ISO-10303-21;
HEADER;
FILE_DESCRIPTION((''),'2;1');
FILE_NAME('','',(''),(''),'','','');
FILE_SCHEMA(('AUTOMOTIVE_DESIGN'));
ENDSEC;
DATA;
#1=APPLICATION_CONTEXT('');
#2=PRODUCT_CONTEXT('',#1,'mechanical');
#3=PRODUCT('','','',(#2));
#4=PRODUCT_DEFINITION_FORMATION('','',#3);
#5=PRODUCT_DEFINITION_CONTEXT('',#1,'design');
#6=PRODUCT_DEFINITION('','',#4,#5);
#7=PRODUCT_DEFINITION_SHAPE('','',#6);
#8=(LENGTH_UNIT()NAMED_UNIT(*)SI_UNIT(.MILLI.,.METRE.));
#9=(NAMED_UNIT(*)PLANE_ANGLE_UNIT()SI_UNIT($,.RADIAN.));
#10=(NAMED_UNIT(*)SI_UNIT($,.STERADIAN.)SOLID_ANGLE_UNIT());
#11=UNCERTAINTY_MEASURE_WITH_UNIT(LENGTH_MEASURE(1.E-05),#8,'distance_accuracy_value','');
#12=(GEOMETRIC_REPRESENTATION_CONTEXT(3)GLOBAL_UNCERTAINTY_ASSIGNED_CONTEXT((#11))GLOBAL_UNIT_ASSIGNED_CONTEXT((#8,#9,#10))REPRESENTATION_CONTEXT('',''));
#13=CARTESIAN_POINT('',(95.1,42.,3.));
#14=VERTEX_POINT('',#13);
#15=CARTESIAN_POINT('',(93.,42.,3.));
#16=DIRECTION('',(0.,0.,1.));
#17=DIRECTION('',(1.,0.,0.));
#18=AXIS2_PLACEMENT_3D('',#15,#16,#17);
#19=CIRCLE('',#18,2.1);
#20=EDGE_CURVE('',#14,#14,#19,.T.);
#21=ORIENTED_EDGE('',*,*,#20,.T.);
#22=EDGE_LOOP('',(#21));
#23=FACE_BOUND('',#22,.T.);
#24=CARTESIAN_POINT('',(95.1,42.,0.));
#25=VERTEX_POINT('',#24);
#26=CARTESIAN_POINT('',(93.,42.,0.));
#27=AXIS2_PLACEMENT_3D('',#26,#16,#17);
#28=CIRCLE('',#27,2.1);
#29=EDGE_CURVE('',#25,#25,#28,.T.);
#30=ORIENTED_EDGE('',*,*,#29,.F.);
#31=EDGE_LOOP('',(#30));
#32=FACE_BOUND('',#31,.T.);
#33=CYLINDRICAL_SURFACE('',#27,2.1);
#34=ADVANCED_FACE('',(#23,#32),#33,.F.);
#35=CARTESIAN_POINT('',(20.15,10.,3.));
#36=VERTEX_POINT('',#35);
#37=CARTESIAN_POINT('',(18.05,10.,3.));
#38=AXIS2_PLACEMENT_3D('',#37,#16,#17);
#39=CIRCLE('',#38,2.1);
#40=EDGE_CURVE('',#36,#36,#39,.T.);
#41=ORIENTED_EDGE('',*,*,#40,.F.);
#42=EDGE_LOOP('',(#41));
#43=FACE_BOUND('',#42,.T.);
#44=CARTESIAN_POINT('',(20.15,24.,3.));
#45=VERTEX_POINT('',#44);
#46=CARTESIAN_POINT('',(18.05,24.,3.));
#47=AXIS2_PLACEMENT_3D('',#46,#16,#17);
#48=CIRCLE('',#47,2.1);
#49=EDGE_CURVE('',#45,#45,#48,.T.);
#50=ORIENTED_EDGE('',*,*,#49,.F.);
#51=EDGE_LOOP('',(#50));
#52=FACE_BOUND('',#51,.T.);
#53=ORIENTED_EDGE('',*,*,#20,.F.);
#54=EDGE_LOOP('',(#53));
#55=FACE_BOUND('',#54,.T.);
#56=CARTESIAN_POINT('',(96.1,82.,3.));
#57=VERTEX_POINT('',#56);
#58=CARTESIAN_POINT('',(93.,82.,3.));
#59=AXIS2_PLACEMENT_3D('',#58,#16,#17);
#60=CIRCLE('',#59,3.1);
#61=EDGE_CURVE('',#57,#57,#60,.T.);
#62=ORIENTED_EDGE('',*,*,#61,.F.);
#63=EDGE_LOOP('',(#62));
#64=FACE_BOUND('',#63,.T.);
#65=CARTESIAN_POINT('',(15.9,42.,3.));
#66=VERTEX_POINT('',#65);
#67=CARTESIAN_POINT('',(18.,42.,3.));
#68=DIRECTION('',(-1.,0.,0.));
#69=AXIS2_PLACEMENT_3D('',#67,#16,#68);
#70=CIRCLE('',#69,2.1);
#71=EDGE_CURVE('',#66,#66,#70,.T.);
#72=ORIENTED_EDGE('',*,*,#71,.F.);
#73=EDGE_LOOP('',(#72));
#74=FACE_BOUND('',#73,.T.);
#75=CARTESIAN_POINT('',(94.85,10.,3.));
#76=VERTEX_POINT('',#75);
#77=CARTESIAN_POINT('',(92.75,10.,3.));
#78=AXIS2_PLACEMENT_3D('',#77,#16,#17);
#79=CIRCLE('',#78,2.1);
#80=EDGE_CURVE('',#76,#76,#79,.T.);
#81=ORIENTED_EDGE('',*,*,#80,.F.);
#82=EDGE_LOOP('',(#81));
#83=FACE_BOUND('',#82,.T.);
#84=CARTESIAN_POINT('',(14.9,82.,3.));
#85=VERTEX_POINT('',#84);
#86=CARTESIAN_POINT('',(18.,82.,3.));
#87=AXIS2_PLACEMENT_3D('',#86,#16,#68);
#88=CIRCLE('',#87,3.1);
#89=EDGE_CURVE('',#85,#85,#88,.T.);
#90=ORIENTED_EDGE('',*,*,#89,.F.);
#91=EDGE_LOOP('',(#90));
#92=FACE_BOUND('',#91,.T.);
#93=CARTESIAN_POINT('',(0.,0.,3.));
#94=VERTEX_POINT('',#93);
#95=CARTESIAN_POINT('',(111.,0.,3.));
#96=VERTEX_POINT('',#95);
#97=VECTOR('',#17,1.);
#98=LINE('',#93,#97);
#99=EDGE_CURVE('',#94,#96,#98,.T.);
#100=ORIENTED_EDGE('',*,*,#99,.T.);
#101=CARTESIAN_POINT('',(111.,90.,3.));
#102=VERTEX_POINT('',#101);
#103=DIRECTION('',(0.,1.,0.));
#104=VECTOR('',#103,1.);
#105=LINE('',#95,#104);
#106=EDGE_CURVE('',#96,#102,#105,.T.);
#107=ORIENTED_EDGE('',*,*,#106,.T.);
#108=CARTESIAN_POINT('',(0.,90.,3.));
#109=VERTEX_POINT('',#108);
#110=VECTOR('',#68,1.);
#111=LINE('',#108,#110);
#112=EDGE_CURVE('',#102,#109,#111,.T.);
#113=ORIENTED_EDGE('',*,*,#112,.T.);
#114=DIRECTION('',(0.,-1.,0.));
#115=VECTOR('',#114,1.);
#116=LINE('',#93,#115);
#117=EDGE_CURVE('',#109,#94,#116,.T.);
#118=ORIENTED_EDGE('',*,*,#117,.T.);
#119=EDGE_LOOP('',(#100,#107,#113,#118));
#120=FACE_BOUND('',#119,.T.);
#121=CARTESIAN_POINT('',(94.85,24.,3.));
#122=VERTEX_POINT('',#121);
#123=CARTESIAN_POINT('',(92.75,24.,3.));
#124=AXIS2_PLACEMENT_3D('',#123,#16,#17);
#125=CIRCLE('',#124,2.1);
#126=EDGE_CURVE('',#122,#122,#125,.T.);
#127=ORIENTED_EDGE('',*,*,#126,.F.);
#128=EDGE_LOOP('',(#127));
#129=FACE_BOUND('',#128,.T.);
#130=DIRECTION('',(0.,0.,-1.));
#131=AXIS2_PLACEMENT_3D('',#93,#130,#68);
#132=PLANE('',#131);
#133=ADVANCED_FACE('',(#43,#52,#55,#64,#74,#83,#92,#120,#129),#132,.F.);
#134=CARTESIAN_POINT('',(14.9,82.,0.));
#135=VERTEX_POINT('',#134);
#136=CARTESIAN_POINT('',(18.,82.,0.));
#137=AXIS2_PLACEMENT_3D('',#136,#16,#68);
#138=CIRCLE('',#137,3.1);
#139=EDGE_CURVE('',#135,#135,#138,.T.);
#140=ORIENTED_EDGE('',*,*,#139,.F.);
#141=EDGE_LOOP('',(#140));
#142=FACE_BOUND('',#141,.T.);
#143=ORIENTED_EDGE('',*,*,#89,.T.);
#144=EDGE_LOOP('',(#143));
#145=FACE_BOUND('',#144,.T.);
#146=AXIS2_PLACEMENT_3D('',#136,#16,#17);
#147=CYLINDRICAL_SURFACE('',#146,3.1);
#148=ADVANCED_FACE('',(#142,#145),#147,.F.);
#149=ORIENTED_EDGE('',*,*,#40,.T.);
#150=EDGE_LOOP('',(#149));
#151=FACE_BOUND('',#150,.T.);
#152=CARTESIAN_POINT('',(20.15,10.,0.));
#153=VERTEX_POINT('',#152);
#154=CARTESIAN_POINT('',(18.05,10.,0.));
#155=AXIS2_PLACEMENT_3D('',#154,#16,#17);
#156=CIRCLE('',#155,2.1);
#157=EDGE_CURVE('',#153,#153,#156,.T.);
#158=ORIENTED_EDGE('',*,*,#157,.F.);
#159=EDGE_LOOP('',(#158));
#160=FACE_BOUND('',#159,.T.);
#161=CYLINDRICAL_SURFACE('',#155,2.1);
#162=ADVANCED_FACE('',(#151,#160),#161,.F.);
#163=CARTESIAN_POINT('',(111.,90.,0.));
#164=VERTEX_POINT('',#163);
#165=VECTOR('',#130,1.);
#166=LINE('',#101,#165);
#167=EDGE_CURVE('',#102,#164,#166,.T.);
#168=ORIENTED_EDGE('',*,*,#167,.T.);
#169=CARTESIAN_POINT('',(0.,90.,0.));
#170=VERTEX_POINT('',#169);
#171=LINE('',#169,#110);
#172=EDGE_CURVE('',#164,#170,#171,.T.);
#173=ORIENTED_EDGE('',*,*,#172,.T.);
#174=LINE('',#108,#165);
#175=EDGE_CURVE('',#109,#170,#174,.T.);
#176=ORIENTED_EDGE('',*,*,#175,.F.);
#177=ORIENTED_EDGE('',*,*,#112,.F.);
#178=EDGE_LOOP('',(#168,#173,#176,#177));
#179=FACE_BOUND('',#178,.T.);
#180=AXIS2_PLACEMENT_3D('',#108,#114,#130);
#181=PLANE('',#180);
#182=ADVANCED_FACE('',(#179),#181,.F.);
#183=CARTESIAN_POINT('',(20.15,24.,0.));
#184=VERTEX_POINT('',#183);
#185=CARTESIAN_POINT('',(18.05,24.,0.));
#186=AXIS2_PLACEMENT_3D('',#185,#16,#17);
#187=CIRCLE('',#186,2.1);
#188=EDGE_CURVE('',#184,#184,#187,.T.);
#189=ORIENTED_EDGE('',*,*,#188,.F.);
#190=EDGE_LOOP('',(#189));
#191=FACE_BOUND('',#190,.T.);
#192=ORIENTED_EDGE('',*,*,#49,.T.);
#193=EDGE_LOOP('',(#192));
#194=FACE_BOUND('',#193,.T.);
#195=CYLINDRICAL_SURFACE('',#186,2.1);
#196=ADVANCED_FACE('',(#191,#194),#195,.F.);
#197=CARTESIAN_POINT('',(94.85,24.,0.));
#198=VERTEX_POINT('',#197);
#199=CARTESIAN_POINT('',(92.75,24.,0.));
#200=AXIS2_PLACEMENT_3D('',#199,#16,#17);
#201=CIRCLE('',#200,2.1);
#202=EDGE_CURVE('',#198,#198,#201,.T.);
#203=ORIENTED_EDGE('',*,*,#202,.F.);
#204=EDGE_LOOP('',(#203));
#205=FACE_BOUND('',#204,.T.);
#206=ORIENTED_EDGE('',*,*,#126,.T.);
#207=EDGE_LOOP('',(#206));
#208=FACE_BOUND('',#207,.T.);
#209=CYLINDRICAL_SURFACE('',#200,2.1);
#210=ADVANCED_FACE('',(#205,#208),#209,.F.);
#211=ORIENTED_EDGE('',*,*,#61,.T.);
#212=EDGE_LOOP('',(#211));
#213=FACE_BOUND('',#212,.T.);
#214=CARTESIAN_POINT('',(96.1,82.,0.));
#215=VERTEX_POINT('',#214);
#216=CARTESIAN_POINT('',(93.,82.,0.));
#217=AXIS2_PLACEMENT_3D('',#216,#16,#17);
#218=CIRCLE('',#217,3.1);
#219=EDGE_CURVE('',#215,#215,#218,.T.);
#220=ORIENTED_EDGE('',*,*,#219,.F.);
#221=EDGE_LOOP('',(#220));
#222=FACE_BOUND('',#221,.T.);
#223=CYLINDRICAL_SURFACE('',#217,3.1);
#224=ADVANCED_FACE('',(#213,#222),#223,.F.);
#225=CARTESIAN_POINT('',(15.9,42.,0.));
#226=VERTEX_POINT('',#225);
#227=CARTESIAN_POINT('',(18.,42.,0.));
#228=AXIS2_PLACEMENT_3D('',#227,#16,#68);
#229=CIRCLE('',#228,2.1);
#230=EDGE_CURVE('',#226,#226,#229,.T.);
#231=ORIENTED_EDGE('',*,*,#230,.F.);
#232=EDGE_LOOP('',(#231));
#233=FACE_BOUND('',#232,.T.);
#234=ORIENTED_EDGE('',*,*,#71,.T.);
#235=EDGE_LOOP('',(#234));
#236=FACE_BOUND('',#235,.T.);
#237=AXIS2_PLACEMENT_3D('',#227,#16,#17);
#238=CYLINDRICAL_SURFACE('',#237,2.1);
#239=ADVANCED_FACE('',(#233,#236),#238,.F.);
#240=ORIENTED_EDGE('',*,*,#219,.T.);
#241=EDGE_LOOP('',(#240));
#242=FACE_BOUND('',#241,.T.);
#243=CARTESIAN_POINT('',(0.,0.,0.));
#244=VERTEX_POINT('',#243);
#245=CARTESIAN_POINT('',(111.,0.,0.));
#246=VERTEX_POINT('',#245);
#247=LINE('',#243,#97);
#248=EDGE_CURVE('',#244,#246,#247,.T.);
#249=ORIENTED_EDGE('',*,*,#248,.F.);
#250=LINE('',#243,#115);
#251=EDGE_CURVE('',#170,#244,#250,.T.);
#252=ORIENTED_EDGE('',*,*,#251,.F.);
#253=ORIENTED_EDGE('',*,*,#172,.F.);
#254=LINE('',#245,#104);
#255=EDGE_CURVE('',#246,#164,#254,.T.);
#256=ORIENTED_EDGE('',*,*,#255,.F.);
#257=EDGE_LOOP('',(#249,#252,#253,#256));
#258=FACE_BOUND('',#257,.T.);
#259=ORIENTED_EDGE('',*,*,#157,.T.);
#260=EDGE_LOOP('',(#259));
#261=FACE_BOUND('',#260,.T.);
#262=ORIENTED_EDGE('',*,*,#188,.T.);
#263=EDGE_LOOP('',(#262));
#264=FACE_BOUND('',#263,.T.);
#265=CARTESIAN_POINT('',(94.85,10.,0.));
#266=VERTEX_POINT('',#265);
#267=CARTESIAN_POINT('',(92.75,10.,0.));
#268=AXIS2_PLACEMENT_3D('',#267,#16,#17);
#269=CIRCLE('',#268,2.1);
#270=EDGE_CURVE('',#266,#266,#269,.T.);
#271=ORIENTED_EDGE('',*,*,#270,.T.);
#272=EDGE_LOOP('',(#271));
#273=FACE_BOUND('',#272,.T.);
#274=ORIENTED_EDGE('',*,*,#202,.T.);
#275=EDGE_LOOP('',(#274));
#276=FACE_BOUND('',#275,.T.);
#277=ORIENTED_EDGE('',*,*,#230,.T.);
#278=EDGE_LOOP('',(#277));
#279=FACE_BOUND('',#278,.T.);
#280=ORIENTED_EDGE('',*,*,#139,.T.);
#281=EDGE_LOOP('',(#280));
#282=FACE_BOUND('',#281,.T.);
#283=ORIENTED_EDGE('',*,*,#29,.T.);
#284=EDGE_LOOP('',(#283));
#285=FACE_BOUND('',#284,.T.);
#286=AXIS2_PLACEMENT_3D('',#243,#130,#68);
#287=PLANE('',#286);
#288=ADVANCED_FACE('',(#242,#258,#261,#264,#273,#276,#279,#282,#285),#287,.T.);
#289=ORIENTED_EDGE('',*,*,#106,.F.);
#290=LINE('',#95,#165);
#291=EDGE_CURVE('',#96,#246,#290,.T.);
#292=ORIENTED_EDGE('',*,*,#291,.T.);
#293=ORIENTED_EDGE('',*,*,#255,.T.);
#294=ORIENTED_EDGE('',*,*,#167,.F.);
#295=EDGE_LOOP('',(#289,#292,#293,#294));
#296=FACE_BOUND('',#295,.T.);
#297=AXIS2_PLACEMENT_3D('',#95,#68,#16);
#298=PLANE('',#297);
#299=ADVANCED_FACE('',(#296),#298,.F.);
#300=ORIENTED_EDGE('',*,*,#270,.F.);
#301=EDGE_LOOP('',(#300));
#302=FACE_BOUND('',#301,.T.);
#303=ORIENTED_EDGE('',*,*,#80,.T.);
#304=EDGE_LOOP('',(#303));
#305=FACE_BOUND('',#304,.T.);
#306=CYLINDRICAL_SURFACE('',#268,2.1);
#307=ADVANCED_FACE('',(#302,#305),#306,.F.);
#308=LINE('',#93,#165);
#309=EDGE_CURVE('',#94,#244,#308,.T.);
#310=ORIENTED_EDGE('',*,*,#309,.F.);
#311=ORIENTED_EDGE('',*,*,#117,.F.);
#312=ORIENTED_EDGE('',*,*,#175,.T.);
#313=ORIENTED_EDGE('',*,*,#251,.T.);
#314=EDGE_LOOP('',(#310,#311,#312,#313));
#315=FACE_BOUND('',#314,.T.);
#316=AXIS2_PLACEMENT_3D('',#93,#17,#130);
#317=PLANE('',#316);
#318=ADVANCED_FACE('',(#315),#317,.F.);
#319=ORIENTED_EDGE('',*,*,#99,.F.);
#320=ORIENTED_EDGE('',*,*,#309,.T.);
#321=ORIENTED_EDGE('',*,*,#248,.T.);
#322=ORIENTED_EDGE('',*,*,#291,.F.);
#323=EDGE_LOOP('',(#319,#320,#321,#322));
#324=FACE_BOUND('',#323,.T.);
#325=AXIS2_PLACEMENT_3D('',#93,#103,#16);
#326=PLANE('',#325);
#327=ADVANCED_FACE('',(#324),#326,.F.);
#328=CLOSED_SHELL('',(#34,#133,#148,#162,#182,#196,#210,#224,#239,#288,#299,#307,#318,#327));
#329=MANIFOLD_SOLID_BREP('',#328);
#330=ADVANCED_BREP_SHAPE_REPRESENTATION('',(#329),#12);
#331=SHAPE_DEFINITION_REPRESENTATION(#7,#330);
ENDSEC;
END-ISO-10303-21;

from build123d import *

# Parameters (mm, degrees)
SZKIC1_W                    = 111
SZKIC1_H                    = 90
DODANIE_WYCI_GNI_CIE1_DEPTH = 3
SZKIC2_R                    = 2.1
WYTNIJ_WYCI_GNI_CIE2_DEPTH  = 143.933550995
SZKIC3_R                    = 3.1
SZKIC3_R_2                  = 2.1
WYTNIJ_WYCI_GNI_CIE3_DEPTH  = 143.933550995


with BuildPart() as part:
    # Szkic1 → Dodanie-wyciągnięcie1 (new body)
    with BuildSketch(Plane.XY):
        with Locations((55.5, 45)):
            Rectangle(SZKIC1_W, SZKIC1_H)
    extrude(amount=DODANIE_WYCI_GNI_CIE1_DEPTH)

    # Szkic2 → Wytnij-wyciągnięcie2 (cut, through all)
    with BuildSketch(Plane.XY.offset(3)):
        with Locations((18.05, 24)):
            Circle(SZKIC2_R)
        with Locations((18.05, 10)):
            Circle(SZKIC2_R)
        with Locations((92.75, 24)):
            Circle(SZKIC2_R)
        with Locations((92.75, 10)):
            Circle(SZKIC2_R)
    extrude(amount=-WYTNIJ_WYCI_GNI_CIE2_DEPTH, mode=Mode.SUBTRACT)

    # Szkic3 → Wytnij-wyciągnięcie3 (cut, through all)
    with BuildSketch(Plane.XY.offset(3)):
        with Locations((93, 82)):
            Circle(SZKIC3_R)
        with Locations((93, 42)):
            Circle(SZKIC3_R_2)
        with Locations(Location((18, 42, 0), (0, 0, 180))):
            Circle(SZKIC3_R_2)
        with Locations(Location((18, 82, 0), (0, 0, 180))):
            Circle(SZKIC3_R)
    extrude(amount=-WYTNIJ_WYCI_GNI_CIE3_DEPTH, mode=Mode.SUBTRACT)


solid = part.part
